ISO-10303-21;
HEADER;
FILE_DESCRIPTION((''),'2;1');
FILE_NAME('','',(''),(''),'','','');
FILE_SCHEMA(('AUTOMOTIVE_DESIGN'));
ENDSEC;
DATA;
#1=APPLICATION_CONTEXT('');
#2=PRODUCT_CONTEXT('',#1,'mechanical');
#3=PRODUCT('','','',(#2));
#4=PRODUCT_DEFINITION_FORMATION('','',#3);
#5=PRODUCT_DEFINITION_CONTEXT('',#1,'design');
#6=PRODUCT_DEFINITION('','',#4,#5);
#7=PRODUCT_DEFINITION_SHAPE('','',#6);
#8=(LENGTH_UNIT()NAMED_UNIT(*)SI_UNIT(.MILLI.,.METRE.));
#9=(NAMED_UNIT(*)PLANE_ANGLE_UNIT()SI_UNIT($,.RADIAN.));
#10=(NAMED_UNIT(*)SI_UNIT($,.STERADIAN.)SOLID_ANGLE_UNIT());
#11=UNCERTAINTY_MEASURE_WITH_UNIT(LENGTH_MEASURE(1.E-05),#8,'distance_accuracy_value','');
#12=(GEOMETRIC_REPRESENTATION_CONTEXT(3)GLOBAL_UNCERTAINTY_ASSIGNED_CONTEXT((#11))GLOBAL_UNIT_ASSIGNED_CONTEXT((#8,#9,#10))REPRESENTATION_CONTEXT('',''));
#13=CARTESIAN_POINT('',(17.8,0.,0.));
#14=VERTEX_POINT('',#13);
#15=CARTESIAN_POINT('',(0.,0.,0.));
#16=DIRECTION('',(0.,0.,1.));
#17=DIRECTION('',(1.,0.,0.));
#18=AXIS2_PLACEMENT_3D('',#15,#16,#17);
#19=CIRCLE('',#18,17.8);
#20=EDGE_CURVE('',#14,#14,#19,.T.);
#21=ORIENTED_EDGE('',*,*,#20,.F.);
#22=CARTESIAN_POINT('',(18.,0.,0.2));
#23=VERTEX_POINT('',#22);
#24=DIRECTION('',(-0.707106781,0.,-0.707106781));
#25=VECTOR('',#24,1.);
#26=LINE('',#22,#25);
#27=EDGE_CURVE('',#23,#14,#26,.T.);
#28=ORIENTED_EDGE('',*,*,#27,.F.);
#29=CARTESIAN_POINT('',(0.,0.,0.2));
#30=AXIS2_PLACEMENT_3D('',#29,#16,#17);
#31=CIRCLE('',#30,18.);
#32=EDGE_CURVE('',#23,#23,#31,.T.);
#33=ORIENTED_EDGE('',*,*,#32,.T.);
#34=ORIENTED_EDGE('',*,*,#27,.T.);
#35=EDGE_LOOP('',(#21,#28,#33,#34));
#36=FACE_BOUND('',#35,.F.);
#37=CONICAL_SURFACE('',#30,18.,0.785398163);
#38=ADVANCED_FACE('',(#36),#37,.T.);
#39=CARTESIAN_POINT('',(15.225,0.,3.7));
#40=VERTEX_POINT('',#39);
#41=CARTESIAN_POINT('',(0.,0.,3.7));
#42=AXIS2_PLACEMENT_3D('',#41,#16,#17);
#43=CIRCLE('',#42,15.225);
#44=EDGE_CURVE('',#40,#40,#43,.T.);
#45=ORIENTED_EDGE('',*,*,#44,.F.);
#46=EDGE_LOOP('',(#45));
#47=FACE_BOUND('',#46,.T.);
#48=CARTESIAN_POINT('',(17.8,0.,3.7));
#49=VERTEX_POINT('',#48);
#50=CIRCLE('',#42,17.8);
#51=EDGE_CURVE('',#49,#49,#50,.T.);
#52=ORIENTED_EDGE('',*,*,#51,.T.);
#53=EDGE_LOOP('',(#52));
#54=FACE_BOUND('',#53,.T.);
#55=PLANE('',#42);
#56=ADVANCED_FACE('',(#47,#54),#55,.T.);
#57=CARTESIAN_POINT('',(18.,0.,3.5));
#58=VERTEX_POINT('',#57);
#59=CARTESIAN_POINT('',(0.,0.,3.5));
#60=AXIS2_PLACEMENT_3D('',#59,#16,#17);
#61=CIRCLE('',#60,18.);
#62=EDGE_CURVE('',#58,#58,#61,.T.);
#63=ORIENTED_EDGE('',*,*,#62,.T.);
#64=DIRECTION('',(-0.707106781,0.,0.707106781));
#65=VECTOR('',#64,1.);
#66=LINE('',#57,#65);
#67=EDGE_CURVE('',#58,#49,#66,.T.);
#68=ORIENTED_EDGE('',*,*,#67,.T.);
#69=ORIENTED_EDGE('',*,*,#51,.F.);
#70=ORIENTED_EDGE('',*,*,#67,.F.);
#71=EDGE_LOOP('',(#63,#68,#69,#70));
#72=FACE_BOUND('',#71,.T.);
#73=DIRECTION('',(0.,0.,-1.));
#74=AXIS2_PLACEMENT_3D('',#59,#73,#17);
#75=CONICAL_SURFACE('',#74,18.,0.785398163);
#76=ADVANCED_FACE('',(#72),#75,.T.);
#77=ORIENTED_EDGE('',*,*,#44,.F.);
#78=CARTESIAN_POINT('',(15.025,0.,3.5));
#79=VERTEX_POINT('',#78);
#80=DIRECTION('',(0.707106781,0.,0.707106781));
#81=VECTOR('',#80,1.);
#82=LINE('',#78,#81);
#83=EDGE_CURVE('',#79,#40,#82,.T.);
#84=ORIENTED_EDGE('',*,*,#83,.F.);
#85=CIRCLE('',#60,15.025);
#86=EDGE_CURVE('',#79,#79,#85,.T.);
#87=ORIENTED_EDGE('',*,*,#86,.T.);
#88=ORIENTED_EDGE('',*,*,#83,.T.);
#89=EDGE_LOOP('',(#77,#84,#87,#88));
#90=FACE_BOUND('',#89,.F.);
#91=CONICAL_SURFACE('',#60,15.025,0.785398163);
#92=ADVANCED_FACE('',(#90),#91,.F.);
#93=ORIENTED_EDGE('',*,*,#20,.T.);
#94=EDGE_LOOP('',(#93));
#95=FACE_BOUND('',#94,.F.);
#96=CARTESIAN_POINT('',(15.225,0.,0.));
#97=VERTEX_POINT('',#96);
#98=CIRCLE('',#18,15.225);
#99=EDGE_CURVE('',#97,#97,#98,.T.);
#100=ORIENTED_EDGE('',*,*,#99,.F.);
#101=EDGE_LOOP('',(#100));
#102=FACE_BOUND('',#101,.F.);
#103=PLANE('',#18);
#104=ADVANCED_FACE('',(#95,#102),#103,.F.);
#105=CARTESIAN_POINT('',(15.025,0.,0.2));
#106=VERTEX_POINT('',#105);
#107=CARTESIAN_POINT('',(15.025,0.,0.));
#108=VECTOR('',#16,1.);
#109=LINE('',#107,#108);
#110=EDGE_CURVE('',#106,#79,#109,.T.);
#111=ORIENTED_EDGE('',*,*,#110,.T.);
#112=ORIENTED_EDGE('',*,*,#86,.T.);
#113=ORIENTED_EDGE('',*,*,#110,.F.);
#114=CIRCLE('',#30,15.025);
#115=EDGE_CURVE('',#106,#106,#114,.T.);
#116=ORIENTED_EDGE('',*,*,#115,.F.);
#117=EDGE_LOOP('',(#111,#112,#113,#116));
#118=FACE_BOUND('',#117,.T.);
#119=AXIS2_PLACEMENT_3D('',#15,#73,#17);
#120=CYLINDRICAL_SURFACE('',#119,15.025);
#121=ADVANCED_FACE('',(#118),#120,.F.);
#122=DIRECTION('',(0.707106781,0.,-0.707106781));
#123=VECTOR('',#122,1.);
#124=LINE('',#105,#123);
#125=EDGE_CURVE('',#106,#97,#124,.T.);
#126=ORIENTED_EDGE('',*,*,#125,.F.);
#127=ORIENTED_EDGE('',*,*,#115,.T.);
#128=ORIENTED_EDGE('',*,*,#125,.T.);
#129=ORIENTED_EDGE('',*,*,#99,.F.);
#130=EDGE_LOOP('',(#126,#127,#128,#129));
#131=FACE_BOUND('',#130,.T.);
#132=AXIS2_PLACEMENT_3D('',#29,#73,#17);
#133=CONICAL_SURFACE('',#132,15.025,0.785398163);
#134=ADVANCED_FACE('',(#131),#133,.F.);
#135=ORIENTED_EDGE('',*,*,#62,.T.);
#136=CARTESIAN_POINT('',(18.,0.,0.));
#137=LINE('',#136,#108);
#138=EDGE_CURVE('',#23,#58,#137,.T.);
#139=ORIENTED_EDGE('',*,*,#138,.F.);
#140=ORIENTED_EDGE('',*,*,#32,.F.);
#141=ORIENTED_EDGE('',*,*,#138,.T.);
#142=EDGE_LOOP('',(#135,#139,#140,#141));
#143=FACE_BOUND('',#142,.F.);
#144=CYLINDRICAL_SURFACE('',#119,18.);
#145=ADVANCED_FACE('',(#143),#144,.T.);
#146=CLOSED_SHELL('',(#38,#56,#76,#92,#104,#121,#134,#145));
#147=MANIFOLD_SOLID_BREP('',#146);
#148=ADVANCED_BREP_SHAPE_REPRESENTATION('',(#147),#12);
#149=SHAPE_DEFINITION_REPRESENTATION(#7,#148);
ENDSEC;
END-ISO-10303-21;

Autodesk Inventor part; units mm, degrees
ref_plane "YZ Plane" through (0, 0, 0) normal (1, 0, 0) x (0, 1, 0)
ref_plane "XZ Plane" through (0, 0, 0) normal (0, 1, 0) x (-1, 0, 0)
ref_plane "XY Plane" through (0, 0, 0) normal (0, 0, 1) x (1, 0, 0)
sketch "草圖1" plane through (0, 0, 0) normal (0, 0, 1) x (1, 0, 0)
  circle A0 centre (0, 0) radius 15.025
  circle A1 centre (0, 0) radius 18
  dimension "d0" = 30.05
  dimension "d11" = 36
  dimension "d12" = 2.975
extrude "擠出1" add sketch "草圖1" along normal blind 3.7
chamfer "倒角1" distance 0.2 angle 45 4 edges at (-18, 0, 3.7) (-18, 0, 0) (-15.025, 0, 0) (-15.025, 0, 3.7)
properties part number "SP-012"
